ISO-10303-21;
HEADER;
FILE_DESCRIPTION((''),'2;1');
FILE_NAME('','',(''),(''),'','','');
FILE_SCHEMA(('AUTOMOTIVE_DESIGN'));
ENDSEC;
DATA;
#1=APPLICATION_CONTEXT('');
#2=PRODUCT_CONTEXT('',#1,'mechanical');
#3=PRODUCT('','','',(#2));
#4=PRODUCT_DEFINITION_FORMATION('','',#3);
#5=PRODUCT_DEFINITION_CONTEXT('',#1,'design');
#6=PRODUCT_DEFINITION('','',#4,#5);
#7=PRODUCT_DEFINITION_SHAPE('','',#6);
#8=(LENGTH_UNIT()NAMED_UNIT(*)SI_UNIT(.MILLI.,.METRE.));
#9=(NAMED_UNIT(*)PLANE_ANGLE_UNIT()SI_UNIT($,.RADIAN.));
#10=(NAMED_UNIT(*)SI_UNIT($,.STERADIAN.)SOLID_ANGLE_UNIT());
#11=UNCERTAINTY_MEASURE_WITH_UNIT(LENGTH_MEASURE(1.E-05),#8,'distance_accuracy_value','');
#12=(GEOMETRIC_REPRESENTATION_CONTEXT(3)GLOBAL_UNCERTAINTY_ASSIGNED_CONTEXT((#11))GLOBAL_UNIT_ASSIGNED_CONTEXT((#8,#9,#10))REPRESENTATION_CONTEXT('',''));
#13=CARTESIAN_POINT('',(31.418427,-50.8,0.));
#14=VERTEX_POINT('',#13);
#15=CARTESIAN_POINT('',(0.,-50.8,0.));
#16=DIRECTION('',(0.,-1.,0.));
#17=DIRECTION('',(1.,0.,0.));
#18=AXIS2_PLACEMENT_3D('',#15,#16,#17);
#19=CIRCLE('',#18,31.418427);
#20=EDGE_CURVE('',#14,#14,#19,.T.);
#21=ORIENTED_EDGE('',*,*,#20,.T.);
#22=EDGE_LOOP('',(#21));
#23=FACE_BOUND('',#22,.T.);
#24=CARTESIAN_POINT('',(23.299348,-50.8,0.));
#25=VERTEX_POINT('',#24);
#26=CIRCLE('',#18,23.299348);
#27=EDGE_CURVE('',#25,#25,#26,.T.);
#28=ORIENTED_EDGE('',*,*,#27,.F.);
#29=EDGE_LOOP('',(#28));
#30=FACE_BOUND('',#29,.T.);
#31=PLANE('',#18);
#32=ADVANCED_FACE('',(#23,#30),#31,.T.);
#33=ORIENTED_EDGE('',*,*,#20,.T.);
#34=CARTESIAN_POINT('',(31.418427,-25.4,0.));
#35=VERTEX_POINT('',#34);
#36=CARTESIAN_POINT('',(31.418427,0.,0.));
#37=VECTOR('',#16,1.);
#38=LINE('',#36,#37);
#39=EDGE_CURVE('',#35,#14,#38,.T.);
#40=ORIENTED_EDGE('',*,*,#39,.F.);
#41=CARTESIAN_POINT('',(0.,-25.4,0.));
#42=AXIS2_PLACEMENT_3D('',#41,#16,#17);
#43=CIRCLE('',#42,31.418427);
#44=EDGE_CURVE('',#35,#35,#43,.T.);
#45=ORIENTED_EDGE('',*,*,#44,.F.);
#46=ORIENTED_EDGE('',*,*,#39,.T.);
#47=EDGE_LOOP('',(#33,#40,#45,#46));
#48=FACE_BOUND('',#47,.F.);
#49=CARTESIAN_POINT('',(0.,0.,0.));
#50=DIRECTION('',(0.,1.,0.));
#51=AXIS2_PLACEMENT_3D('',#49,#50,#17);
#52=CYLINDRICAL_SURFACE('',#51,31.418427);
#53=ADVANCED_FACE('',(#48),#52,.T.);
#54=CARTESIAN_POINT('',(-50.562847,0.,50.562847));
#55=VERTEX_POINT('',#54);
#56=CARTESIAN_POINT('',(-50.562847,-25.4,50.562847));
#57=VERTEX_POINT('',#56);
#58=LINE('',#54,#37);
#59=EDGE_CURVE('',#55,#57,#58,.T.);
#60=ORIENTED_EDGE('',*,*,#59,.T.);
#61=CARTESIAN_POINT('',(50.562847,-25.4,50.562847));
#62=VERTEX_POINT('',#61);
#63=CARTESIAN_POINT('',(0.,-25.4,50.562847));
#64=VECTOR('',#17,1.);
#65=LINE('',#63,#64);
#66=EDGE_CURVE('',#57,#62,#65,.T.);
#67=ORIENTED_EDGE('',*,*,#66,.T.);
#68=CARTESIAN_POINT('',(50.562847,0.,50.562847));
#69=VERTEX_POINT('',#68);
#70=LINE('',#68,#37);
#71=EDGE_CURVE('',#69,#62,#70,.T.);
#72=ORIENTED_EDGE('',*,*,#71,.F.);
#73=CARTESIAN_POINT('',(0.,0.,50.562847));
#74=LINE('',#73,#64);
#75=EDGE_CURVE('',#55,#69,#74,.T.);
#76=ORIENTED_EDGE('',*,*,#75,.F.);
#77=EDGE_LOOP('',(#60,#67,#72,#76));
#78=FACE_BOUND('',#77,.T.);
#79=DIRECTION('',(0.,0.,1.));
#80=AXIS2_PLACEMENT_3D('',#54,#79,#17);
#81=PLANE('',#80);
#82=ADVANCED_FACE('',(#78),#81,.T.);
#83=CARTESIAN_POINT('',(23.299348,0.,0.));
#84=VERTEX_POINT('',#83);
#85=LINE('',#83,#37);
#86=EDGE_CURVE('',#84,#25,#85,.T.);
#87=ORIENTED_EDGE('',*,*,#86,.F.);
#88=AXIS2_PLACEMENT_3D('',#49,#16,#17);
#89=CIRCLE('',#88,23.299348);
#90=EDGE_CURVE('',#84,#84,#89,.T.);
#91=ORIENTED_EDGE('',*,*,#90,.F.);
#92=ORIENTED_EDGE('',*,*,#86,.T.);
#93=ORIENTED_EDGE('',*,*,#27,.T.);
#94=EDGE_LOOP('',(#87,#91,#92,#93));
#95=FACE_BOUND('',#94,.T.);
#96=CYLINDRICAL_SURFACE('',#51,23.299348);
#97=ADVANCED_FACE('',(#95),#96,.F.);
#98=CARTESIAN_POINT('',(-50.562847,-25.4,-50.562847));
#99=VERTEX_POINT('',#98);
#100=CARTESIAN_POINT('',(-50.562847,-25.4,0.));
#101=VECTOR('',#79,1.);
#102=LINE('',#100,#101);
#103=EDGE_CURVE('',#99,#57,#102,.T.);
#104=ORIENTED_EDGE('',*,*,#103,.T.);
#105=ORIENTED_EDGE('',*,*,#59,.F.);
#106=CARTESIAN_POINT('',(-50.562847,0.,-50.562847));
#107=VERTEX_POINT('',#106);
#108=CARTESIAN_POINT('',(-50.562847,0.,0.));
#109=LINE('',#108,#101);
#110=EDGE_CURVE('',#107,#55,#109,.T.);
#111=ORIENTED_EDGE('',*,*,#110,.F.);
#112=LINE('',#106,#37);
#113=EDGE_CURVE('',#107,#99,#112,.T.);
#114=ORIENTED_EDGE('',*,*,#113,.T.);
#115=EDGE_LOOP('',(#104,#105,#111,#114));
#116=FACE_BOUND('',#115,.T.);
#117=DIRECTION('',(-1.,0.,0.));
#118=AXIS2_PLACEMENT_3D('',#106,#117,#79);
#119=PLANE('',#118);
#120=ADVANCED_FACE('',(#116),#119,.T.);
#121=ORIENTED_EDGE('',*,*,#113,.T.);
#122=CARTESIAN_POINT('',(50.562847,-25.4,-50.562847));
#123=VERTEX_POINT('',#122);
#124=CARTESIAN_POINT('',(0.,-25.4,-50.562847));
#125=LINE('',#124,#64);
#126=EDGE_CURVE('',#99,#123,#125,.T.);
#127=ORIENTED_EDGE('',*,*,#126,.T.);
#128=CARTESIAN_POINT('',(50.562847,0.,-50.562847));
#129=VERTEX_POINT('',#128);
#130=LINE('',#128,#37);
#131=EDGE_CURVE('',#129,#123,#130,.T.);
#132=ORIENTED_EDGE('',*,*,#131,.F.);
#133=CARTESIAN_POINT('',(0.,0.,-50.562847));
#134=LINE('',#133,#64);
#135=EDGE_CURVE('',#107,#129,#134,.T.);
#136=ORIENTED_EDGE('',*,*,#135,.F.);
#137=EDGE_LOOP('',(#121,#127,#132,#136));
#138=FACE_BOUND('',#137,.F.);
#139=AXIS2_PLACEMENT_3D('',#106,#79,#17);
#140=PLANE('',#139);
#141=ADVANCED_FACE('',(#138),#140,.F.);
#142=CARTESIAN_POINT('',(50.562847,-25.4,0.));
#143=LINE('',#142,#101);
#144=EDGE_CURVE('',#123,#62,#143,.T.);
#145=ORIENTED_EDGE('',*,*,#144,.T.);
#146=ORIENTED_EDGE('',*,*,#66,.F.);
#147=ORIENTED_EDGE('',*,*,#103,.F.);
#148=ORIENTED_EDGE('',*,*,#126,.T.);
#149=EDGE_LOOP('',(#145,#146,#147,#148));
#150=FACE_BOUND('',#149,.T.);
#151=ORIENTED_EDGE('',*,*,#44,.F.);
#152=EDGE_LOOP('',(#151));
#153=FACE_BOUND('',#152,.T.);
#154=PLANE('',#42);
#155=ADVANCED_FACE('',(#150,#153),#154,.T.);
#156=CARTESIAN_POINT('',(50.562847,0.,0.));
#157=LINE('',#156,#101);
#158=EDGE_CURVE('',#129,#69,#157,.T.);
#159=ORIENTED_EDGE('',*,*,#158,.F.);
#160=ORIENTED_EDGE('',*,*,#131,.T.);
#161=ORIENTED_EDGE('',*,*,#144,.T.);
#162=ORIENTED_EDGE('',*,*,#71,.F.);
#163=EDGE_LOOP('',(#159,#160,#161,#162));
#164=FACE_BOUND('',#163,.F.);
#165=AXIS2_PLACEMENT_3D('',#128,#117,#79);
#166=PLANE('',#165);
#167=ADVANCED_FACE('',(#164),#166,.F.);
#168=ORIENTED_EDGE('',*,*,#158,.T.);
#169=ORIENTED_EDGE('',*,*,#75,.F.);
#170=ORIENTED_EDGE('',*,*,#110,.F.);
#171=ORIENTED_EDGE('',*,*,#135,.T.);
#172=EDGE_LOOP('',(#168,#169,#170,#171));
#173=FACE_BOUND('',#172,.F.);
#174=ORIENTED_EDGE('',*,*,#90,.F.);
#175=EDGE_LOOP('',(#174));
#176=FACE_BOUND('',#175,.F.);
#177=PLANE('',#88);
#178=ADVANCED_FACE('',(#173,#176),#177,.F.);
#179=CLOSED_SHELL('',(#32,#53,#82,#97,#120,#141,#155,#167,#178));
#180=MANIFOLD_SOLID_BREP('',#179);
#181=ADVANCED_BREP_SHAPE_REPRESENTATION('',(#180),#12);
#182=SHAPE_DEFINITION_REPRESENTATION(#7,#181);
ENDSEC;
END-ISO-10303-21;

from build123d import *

# Parameters (mm, degrees)
F0_W     = 101.125694
F0_H     = 101.125694
F0_R     = 31.418427
F1_DEPTH = 25.4
F0_R_2   = 23.299348
F2_DEPTH = 50.8


with BuildPart() as f1:
    # F0 (on Front) → F1 (new body)
    with BuildSketch(Plane.XZ):
        Rectangle(F0_W, F0_H)
        Circle(F0_R, mode=Mode.SUBTRACT)
    extrude(amount=F1_DEPTH)

    # F0 (on Front) → F2 (join)
    with BuildSketch(Plane.XZ):
        Circle(F0_R)
        Circle(F0_R_2, mode=Mode.SUBTRACT)
    extrude(amount=F2_DEPTH)


solid = f1.part
